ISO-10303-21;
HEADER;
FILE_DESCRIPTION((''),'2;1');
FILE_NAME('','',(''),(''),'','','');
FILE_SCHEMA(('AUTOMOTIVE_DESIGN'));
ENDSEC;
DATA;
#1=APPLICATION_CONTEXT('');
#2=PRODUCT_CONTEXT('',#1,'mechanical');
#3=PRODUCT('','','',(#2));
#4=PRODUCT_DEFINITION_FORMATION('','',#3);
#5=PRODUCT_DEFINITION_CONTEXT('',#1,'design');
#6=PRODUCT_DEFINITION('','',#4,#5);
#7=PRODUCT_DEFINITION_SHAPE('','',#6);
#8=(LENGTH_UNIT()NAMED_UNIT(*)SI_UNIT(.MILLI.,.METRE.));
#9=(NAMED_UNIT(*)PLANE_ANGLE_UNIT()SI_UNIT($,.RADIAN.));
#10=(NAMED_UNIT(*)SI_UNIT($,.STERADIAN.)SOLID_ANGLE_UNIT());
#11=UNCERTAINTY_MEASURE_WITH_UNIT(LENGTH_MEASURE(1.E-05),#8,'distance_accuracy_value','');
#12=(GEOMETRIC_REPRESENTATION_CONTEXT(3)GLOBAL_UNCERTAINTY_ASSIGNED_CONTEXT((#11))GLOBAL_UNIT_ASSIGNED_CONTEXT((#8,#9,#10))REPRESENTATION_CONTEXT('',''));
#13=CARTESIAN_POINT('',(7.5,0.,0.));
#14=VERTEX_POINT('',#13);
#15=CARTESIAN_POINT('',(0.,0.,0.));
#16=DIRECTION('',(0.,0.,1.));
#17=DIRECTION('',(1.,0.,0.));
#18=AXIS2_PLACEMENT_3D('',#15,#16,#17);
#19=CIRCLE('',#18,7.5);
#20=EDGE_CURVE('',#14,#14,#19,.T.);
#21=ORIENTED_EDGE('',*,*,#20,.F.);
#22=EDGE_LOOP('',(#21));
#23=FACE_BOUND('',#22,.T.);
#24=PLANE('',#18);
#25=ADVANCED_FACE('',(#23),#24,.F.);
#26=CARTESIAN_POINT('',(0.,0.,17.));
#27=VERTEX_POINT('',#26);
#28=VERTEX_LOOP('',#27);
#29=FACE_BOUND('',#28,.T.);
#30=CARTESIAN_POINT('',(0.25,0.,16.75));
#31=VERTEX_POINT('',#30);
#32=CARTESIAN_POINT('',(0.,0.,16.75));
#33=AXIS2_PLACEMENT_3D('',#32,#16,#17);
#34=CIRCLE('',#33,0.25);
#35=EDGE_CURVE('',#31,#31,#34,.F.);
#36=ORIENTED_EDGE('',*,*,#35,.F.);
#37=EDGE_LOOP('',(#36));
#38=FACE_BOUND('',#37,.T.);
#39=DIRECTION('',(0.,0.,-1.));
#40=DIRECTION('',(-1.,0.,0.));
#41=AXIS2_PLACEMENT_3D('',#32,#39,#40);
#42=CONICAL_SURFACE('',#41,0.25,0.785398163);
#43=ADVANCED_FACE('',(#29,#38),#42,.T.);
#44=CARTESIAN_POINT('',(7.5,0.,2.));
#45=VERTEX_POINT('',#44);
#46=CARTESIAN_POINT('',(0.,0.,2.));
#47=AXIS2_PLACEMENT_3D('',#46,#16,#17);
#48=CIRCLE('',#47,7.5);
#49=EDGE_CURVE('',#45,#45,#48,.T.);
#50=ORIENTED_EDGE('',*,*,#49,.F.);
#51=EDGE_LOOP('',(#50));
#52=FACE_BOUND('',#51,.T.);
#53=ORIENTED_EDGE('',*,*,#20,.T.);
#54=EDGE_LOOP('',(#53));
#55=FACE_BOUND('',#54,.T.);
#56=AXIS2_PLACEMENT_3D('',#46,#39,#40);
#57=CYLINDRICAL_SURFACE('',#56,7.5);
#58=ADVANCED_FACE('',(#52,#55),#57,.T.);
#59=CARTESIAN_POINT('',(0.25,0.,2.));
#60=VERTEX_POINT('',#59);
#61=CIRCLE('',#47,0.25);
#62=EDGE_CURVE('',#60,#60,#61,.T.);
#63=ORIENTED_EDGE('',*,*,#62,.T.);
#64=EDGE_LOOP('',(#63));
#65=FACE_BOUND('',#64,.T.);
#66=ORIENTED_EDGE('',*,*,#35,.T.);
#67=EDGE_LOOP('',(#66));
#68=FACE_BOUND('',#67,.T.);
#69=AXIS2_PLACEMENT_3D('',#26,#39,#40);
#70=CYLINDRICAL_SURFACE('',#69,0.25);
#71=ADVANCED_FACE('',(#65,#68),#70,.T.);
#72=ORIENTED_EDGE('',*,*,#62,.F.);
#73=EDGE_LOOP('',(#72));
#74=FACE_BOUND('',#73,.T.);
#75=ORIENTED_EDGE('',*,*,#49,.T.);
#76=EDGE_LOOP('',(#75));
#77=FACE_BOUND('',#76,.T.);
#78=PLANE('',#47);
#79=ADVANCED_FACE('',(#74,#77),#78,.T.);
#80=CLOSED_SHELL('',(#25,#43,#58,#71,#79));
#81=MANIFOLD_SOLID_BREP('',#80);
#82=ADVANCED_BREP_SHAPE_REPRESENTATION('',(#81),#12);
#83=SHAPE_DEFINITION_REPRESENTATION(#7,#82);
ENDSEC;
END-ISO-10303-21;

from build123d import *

# Parameters (mm, degrees)
SKETCH1_R           = 7.5
BOSS_EXTRUDE1_DEPTH = 2
SKETCH2_R           = 0.25
BOSS_EXTRUDE2_DEPTH = 15
CHAMFER1_SIZE       = 0.25


with BuildPart() as part:
    # Sketch1 → Boss-Extrude1 (new body)
    with BuildSketch(Plane.XY):
        Circle(SKETCH1_R)
    extrude(amount=BOSS_EXTRUDE1_DEPTH)

    # Sketch2 → Boss-Extrude2 (add)
    with BuildSketch(Plane.XY.offset(2)):
        Circle(SKETCH2_R)
    extrude(amount=BOSS_EXTRUDE2_DEPTH)

    # Chamfer1
    chamfer1_edges = [part.edges().sort_by_distance(p)[0] for p in [
        (-0.25, 0, 17),
    ]]
    chamfer(chamfer1_edges, length=CHAMFER1_SIZE)


solid = part.part
